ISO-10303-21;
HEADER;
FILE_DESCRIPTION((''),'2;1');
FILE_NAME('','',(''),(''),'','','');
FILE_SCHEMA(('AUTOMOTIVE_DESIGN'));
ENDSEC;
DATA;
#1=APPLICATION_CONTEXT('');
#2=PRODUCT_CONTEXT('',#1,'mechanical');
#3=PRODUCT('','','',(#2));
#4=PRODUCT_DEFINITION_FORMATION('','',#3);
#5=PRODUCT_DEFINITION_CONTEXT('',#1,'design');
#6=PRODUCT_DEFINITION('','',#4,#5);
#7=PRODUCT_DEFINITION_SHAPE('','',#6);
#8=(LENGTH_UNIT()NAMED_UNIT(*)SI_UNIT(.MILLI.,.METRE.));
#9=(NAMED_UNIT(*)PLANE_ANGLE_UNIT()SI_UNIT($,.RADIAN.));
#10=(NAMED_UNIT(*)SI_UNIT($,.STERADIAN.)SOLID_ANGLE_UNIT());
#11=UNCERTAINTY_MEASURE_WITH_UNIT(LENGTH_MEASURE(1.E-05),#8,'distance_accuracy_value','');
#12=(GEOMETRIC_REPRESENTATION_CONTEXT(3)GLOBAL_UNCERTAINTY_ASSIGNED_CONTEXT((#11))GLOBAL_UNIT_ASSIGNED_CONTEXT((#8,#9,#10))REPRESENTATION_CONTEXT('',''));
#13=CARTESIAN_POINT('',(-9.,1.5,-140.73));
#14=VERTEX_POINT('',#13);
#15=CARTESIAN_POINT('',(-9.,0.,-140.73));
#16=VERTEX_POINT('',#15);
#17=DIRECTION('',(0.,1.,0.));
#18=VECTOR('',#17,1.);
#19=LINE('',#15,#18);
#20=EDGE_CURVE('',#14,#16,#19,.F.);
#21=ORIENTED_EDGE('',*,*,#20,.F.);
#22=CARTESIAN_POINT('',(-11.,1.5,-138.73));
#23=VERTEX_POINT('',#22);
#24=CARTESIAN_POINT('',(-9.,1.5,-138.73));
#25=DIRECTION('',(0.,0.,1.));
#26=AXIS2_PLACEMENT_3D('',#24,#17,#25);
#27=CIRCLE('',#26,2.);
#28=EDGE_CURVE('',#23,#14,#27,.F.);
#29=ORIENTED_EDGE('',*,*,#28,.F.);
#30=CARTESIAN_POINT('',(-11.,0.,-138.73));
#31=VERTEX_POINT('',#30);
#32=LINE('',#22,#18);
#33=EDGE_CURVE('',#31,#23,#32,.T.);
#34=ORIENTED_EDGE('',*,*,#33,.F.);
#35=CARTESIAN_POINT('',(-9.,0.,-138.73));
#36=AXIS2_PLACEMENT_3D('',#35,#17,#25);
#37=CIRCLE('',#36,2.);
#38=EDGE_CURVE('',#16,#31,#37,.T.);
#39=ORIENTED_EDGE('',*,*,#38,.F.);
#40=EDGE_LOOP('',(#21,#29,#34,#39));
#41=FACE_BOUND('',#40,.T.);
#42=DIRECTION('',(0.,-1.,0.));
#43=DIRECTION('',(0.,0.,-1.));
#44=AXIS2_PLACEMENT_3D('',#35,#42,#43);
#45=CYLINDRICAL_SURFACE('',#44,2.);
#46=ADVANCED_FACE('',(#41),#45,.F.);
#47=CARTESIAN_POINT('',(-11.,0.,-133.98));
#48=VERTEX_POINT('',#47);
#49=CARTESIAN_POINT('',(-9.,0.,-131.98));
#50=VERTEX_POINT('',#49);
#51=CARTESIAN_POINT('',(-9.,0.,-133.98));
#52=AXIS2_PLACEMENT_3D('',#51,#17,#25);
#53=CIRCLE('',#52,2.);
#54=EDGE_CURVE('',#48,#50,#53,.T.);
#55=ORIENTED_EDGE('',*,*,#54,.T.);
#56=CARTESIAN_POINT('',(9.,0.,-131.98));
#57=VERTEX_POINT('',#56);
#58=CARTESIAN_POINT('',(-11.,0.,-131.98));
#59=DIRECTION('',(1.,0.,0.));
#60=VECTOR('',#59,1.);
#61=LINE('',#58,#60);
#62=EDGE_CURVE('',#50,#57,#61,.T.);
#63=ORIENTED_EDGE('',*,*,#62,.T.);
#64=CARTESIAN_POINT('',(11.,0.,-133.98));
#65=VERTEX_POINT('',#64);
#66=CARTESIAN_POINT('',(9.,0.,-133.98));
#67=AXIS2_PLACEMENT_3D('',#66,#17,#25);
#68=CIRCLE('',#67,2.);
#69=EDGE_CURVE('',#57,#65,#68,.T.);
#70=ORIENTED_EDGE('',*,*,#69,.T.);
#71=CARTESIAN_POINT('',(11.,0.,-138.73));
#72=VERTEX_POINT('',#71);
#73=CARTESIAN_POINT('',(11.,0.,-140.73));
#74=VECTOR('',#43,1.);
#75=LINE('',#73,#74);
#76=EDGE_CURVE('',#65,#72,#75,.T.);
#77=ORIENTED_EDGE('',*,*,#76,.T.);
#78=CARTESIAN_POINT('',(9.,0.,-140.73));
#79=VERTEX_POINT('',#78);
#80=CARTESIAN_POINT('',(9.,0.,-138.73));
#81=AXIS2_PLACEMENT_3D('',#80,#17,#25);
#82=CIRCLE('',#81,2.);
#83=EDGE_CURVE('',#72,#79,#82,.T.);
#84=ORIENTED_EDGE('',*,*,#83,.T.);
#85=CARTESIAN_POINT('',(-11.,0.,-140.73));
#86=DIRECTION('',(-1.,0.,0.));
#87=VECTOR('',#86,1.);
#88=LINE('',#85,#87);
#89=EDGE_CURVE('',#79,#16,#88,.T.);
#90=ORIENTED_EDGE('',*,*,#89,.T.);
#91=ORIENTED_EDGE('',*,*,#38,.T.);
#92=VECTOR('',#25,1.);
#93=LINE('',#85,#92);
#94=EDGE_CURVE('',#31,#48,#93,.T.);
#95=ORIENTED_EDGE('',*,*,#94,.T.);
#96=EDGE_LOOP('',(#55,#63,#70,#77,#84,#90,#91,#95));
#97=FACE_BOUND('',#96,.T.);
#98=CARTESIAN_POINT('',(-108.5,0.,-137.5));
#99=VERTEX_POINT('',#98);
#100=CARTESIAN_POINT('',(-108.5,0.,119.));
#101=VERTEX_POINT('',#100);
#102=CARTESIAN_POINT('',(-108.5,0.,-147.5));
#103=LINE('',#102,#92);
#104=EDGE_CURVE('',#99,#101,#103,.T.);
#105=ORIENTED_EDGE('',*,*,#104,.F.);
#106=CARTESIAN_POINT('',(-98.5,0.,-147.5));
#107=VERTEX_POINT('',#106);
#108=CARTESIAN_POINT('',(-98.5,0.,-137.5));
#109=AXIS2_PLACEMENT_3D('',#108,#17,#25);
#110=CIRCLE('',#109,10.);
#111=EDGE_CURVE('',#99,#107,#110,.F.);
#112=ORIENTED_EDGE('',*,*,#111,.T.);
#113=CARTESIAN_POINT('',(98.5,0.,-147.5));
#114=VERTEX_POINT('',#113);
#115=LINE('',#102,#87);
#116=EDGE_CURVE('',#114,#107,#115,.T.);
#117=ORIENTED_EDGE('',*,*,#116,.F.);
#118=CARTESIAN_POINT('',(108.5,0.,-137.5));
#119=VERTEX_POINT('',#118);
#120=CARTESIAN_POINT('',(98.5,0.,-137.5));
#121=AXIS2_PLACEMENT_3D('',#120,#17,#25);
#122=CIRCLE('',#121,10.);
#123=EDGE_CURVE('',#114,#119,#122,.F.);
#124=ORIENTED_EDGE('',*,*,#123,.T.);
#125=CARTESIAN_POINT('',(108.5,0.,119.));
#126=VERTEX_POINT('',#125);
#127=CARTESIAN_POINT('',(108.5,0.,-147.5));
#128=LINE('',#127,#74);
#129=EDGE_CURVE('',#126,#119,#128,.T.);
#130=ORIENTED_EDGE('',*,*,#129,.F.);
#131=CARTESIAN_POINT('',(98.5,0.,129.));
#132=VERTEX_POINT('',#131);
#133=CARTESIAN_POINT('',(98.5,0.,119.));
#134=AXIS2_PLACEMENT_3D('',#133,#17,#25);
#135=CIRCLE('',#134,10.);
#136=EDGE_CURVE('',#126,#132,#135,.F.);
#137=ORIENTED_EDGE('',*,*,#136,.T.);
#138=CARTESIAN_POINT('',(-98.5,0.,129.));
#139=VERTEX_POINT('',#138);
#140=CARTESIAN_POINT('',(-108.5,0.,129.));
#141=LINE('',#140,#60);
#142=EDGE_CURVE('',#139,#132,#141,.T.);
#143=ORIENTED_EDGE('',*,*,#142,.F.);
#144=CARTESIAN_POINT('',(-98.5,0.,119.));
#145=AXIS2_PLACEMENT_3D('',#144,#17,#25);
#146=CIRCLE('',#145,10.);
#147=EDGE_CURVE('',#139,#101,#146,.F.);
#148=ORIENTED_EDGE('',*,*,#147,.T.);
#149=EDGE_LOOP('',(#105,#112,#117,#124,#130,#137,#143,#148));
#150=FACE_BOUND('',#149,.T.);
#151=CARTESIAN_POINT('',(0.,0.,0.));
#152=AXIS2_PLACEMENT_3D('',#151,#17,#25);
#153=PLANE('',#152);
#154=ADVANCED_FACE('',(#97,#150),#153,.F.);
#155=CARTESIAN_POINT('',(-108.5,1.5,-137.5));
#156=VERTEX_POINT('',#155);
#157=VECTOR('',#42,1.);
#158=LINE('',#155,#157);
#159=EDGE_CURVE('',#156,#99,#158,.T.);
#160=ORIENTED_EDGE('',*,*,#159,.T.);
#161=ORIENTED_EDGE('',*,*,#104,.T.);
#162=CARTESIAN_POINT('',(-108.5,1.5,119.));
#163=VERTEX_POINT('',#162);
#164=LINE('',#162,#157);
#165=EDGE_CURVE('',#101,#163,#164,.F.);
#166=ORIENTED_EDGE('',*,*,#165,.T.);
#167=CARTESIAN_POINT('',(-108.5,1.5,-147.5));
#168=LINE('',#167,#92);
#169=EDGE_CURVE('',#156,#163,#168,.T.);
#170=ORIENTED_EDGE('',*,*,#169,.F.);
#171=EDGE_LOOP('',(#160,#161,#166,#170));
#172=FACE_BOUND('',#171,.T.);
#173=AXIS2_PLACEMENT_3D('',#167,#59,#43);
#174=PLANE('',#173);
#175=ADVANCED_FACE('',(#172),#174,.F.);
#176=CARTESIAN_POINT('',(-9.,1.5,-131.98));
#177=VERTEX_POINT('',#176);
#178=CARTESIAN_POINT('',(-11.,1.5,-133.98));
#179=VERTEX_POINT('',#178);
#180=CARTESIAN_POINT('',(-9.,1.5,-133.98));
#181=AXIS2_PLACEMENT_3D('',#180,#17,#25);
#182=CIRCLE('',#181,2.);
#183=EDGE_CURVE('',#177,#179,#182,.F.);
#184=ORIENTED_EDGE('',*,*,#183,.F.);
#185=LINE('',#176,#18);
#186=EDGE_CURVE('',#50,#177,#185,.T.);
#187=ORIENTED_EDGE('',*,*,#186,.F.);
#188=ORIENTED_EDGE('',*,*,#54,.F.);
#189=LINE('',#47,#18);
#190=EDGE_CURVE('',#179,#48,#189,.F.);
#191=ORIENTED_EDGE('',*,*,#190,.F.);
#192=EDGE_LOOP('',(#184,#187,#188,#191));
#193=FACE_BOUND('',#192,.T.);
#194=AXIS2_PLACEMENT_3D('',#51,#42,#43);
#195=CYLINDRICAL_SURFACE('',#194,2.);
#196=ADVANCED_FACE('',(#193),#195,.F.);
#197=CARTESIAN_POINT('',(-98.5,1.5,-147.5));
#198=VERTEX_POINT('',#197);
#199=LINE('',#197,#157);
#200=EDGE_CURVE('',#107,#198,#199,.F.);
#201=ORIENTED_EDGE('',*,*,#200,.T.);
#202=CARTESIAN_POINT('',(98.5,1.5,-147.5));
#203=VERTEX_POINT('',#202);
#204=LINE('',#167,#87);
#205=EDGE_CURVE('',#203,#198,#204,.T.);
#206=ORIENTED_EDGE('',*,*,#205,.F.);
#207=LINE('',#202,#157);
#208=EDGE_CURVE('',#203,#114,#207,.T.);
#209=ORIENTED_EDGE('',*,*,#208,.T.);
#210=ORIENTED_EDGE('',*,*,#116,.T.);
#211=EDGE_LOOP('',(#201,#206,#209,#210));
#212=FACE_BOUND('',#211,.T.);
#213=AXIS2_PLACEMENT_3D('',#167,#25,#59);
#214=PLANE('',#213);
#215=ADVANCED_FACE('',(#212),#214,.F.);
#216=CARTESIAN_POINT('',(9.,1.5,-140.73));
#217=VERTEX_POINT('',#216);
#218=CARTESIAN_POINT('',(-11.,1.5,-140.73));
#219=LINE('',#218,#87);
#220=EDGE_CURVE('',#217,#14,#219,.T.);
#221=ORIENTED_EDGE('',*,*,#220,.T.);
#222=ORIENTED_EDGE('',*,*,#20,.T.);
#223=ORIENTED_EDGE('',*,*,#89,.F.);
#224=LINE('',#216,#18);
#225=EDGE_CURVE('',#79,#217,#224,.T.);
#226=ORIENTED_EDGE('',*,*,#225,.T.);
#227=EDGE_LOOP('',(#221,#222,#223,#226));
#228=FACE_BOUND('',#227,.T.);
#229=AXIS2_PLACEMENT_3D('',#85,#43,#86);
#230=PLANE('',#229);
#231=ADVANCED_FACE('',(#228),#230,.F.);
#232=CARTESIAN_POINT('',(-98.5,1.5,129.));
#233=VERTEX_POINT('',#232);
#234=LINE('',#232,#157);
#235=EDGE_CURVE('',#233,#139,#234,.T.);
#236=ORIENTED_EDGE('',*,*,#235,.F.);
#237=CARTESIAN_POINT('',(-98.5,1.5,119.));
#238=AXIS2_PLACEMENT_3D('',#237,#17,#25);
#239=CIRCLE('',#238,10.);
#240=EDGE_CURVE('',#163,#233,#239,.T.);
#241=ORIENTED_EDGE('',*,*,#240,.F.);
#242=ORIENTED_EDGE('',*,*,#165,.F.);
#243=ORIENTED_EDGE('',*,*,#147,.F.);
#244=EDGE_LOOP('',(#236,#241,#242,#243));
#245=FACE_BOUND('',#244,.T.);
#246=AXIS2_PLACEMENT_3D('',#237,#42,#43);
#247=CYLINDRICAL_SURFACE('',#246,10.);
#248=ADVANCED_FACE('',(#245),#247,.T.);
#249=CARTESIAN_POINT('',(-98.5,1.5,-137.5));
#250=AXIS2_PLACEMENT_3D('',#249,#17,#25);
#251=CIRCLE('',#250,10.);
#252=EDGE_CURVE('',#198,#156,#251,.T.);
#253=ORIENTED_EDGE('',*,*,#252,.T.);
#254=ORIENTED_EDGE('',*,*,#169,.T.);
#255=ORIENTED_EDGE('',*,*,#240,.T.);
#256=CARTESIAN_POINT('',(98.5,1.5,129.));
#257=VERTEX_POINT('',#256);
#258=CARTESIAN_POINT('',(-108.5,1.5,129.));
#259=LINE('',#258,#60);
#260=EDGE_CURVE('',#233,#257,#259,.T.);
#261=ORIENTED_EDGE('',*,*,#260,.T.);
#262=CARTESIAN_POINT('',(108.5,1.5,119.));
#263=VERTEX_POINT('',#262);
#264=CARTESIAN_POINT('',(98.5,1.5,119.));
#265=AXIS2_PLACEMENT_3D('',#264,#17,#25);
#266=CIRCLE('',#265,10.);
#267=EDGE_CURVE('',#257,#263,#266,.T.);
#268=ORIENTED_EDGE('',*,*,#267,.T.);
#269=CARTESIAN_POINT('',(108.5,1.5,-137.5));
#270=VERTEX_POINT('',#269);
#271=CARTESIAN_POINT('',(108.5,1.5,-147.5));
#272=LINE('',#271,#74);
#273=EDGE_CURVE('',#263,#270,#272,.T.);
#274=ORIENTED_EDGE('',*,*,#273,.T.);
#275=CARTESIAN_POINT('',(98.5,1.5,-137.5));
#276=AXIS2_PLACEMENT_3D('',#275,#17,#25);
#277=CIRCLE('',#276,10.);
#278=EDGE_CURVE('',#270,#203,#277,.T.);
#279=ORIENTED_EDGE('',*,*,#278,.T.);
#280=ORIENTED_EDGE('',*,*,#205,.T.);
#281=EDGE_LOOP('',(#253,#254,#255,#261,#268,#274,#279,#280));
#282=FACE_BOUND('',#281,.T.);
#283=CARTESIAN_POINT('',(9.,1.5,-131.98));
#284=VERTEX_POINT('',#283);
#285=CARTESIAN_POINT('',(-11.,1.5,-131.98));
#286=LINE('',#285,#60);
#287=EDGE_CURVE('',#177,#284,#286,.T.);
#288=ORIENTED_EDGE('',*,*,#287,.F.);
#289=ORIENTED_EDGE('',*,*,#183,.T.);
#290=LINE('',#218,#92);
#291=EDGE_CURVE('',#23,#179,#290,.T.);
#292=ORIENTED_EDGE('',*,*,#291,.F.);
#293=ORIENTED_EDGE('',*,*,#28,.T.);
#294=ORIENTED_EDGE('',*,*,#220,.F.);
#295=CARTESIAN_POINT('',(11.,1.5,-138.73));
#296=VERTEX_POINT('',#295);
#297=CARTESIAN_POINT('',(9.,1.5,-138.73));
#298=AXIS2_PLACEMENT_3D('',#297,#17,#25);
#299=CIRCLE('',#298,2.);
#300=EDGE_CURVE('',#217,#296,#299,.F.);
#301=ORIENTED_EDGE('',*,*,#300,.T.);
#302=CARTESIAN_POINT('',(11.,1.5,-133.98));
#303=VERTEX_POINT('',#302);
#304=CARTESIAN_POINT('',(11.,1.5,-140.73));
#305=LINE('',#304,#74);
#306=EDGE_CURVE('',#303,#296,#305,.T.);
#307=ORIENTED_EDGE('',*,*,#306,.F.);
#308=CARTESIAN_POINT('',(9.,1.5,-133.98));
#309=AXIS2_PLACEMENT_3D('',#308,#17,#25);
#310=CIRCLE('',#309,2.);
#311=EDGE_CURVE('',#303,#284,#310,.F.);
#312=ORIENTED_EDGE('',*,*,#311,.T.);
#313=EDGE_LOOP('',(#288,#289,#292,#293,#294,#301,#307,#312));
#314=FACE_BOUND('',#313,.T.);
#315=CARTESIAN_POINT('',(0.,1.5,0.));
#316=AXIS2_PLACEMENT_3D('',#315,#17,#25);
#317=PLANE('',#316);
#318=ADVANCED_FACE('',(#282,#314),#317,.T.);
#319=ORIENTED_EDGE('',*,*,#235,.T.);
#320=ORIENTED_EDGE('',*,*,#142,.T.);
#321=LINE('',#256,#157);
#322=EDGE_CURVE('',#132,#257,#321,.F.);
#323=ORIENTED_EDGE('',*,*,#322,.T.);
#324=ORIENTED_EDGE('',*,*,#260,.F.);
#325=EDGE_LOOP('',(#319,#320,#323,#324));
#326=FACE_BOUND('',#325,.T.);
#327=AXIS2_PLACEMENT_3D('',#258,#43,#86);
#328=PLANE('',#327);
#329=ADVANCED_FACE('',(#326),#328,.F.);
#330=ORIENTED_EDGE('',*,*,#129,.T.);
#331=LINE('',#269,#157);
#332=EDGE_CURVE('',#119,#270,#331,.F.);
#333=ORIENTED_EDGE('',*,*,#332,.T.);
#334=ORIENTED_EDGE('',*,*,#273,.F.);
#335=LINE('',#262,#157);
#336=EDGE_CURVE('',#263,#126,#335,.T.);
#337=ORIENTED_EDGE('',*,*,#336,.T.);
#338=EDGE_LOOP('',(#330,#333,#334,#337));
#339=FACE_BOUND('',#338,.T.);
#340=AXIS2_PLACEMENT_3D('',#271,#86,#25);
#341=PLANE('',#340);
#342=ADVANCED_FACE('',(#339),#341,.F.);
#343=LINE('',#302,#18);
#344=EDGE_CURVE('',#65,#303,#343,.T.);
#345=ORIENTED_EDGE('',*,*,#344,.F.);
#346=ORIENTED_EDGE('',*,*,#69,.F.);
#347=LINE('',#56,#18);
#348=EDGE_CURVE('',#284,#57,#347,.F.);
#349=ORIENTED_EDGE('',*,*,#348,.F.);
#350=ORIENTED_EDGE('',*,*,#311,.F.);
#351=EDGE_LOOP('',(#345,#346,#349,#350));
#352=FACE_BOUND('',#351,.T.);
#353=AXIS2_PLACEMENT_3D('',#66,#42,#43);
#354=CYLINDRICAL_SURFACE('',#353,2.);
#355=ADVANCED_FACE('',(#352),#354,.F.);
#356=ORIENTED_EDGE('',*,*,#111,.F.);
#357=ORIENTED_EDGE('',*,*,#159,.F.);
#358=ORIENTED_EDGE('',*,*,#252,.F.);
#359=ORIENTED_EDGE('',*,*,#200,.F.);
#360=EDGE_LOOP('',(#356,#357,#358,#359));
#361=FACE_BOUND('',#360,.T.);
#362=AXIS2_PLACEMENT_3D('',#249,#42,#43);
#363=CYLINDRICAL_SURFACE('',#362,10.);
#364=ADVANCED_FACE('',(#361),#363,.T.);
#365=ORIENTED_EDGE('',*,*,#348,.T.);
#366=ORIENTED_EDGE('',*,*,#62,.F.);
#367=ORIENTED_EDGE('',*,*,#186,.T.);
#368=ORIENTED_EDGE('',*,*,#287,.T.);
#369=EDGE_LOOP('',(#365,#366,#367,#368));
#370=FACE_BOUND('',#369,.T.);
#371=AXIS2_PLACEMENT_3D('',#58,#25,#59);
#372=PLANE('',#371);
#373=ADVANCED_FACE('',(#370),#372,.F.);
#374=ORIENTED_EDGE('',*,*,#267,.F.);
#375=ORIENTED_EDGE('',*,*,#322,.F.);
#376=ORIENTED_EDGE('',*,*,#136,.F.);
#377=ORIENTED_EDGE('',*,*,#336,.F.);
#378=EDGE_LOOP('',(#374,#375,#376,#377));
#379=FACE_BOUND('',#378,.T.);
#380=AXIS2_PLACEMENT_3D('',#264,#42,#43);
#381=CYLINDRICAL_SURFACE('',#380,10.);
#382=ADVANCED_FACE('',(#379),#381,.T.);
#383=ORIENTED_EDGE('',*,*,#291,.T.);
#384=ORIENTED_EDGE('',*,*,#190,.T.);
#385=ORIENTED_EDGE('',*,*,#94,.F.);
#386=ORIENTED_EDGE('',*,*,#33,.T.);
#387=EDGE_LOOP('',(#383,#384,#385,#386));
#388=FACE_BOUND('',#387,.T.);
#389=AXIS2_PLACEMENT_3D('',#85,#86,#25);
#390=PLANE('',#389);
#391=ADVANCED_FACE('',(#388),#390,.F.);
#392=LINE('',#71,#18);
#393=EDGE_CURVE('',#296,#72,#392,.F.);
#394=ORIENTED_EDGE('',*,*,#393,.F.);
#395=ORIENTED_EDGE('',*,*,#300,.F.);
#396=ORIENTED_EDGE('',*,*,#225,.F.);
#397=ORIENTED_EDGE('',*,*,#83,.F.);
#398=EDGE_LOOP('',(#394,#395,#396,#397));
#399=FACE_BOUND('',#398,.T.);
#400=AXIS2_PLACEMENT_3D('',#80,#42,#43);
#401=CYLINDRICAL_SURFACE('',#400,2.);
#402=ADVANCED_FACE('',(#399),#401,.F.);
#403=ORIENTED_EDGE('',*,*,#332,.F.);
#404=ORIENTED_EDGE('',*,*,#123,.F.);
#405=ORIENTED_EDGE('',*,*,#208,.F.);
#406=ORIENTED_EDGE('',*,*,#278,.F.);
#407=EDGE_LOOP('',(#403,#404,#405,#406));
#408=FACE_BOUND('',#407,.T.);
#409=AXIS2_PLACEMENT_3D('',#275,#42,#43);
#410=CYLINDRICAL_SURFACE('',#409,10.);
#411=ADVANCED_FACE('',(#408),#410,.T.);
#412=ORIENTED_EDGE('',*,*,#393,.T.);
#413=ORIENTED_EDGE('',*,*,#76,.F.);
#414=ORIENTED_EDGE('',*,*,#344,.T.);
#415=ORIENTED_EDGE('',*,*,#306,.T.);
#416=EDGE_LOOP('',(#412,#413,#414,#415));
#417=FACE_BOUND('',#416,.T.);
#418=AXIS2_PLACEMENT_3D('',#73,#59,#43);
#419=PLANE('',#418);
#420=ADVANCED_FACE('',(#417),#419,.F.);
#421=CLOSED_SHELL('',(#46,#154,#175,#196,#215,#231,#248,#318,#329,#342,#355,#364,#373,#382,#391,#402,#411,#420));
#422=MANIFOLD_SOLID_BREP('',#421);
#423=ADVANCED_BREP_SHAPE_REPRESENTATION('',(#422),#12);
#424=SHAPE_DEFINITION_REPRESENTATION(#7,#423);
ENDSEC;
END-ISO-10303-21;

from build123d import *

# Parameters (mm, degrees)
SKETCH1_W           = 217
SKETCH1_H           = 276.5
BOSS_EXTRUDE1_DEPTH = 1.5
FILLET1_R           = 10
SKETCH4_W           = 22
SKETCH4_H           = 8.75
CUT_EXTRUDE2_DEPTH  = 184.114035508
FILLET2_R           = 2


with BuildPart() as part:
    # Sketch1 → Boss-Extrude1 (new body)
    with BuildSketch(Plane(origin=(0, 0, 0), x_dir=(1, 0, 0), z_dir=(0, 1, 0))):
        with Locations((0, 9.25)):
            Rectangle(SKETCH1_W, SKETCH1_H)
    extrude(amount=BOSS_EXTRUDE1_DEPTH)

    # Fillet1
    fillet1_edges = [part.edges().sort_by_distance(p)[0] for p in [
        (-108.5, 0.75, -147.5),
        (108.5, 0.75, -147.5),
        (108.5, 0.75, 129),
        (-108.5, 0.75, 129),
    ]]
    fillet(fillet1_edges, radius=FILLET1_R)

    # Sketch4 → Cut-Extrude2 (cut, through all)
    with BuildSketch(Plane(origin=(0, 1.5, 0), x_dir=(1, 0, 0), z_dir=(0, 1, 0))):
        with Locations((0, 136.355)):
            Rectangle(SKETCH4_W, SKETCH4_H)
    extrude(amount=-CUT_EXTRUDE2_DEPTH, mode=Mode.SUBTRACT)

    # Fillet2
    fillet2_edges = [part.edges().sort_by_distance(p)[0] for p in [
        (-11, 0.75, -131.98),
        (-11, 0.75, -140.73),
        (11, 0.75, -140.73),
        (11, 0.75, -131.98),
    ]]
    fillet(fillet2_edges, radius=FILLET2_R)


solid = part.part
